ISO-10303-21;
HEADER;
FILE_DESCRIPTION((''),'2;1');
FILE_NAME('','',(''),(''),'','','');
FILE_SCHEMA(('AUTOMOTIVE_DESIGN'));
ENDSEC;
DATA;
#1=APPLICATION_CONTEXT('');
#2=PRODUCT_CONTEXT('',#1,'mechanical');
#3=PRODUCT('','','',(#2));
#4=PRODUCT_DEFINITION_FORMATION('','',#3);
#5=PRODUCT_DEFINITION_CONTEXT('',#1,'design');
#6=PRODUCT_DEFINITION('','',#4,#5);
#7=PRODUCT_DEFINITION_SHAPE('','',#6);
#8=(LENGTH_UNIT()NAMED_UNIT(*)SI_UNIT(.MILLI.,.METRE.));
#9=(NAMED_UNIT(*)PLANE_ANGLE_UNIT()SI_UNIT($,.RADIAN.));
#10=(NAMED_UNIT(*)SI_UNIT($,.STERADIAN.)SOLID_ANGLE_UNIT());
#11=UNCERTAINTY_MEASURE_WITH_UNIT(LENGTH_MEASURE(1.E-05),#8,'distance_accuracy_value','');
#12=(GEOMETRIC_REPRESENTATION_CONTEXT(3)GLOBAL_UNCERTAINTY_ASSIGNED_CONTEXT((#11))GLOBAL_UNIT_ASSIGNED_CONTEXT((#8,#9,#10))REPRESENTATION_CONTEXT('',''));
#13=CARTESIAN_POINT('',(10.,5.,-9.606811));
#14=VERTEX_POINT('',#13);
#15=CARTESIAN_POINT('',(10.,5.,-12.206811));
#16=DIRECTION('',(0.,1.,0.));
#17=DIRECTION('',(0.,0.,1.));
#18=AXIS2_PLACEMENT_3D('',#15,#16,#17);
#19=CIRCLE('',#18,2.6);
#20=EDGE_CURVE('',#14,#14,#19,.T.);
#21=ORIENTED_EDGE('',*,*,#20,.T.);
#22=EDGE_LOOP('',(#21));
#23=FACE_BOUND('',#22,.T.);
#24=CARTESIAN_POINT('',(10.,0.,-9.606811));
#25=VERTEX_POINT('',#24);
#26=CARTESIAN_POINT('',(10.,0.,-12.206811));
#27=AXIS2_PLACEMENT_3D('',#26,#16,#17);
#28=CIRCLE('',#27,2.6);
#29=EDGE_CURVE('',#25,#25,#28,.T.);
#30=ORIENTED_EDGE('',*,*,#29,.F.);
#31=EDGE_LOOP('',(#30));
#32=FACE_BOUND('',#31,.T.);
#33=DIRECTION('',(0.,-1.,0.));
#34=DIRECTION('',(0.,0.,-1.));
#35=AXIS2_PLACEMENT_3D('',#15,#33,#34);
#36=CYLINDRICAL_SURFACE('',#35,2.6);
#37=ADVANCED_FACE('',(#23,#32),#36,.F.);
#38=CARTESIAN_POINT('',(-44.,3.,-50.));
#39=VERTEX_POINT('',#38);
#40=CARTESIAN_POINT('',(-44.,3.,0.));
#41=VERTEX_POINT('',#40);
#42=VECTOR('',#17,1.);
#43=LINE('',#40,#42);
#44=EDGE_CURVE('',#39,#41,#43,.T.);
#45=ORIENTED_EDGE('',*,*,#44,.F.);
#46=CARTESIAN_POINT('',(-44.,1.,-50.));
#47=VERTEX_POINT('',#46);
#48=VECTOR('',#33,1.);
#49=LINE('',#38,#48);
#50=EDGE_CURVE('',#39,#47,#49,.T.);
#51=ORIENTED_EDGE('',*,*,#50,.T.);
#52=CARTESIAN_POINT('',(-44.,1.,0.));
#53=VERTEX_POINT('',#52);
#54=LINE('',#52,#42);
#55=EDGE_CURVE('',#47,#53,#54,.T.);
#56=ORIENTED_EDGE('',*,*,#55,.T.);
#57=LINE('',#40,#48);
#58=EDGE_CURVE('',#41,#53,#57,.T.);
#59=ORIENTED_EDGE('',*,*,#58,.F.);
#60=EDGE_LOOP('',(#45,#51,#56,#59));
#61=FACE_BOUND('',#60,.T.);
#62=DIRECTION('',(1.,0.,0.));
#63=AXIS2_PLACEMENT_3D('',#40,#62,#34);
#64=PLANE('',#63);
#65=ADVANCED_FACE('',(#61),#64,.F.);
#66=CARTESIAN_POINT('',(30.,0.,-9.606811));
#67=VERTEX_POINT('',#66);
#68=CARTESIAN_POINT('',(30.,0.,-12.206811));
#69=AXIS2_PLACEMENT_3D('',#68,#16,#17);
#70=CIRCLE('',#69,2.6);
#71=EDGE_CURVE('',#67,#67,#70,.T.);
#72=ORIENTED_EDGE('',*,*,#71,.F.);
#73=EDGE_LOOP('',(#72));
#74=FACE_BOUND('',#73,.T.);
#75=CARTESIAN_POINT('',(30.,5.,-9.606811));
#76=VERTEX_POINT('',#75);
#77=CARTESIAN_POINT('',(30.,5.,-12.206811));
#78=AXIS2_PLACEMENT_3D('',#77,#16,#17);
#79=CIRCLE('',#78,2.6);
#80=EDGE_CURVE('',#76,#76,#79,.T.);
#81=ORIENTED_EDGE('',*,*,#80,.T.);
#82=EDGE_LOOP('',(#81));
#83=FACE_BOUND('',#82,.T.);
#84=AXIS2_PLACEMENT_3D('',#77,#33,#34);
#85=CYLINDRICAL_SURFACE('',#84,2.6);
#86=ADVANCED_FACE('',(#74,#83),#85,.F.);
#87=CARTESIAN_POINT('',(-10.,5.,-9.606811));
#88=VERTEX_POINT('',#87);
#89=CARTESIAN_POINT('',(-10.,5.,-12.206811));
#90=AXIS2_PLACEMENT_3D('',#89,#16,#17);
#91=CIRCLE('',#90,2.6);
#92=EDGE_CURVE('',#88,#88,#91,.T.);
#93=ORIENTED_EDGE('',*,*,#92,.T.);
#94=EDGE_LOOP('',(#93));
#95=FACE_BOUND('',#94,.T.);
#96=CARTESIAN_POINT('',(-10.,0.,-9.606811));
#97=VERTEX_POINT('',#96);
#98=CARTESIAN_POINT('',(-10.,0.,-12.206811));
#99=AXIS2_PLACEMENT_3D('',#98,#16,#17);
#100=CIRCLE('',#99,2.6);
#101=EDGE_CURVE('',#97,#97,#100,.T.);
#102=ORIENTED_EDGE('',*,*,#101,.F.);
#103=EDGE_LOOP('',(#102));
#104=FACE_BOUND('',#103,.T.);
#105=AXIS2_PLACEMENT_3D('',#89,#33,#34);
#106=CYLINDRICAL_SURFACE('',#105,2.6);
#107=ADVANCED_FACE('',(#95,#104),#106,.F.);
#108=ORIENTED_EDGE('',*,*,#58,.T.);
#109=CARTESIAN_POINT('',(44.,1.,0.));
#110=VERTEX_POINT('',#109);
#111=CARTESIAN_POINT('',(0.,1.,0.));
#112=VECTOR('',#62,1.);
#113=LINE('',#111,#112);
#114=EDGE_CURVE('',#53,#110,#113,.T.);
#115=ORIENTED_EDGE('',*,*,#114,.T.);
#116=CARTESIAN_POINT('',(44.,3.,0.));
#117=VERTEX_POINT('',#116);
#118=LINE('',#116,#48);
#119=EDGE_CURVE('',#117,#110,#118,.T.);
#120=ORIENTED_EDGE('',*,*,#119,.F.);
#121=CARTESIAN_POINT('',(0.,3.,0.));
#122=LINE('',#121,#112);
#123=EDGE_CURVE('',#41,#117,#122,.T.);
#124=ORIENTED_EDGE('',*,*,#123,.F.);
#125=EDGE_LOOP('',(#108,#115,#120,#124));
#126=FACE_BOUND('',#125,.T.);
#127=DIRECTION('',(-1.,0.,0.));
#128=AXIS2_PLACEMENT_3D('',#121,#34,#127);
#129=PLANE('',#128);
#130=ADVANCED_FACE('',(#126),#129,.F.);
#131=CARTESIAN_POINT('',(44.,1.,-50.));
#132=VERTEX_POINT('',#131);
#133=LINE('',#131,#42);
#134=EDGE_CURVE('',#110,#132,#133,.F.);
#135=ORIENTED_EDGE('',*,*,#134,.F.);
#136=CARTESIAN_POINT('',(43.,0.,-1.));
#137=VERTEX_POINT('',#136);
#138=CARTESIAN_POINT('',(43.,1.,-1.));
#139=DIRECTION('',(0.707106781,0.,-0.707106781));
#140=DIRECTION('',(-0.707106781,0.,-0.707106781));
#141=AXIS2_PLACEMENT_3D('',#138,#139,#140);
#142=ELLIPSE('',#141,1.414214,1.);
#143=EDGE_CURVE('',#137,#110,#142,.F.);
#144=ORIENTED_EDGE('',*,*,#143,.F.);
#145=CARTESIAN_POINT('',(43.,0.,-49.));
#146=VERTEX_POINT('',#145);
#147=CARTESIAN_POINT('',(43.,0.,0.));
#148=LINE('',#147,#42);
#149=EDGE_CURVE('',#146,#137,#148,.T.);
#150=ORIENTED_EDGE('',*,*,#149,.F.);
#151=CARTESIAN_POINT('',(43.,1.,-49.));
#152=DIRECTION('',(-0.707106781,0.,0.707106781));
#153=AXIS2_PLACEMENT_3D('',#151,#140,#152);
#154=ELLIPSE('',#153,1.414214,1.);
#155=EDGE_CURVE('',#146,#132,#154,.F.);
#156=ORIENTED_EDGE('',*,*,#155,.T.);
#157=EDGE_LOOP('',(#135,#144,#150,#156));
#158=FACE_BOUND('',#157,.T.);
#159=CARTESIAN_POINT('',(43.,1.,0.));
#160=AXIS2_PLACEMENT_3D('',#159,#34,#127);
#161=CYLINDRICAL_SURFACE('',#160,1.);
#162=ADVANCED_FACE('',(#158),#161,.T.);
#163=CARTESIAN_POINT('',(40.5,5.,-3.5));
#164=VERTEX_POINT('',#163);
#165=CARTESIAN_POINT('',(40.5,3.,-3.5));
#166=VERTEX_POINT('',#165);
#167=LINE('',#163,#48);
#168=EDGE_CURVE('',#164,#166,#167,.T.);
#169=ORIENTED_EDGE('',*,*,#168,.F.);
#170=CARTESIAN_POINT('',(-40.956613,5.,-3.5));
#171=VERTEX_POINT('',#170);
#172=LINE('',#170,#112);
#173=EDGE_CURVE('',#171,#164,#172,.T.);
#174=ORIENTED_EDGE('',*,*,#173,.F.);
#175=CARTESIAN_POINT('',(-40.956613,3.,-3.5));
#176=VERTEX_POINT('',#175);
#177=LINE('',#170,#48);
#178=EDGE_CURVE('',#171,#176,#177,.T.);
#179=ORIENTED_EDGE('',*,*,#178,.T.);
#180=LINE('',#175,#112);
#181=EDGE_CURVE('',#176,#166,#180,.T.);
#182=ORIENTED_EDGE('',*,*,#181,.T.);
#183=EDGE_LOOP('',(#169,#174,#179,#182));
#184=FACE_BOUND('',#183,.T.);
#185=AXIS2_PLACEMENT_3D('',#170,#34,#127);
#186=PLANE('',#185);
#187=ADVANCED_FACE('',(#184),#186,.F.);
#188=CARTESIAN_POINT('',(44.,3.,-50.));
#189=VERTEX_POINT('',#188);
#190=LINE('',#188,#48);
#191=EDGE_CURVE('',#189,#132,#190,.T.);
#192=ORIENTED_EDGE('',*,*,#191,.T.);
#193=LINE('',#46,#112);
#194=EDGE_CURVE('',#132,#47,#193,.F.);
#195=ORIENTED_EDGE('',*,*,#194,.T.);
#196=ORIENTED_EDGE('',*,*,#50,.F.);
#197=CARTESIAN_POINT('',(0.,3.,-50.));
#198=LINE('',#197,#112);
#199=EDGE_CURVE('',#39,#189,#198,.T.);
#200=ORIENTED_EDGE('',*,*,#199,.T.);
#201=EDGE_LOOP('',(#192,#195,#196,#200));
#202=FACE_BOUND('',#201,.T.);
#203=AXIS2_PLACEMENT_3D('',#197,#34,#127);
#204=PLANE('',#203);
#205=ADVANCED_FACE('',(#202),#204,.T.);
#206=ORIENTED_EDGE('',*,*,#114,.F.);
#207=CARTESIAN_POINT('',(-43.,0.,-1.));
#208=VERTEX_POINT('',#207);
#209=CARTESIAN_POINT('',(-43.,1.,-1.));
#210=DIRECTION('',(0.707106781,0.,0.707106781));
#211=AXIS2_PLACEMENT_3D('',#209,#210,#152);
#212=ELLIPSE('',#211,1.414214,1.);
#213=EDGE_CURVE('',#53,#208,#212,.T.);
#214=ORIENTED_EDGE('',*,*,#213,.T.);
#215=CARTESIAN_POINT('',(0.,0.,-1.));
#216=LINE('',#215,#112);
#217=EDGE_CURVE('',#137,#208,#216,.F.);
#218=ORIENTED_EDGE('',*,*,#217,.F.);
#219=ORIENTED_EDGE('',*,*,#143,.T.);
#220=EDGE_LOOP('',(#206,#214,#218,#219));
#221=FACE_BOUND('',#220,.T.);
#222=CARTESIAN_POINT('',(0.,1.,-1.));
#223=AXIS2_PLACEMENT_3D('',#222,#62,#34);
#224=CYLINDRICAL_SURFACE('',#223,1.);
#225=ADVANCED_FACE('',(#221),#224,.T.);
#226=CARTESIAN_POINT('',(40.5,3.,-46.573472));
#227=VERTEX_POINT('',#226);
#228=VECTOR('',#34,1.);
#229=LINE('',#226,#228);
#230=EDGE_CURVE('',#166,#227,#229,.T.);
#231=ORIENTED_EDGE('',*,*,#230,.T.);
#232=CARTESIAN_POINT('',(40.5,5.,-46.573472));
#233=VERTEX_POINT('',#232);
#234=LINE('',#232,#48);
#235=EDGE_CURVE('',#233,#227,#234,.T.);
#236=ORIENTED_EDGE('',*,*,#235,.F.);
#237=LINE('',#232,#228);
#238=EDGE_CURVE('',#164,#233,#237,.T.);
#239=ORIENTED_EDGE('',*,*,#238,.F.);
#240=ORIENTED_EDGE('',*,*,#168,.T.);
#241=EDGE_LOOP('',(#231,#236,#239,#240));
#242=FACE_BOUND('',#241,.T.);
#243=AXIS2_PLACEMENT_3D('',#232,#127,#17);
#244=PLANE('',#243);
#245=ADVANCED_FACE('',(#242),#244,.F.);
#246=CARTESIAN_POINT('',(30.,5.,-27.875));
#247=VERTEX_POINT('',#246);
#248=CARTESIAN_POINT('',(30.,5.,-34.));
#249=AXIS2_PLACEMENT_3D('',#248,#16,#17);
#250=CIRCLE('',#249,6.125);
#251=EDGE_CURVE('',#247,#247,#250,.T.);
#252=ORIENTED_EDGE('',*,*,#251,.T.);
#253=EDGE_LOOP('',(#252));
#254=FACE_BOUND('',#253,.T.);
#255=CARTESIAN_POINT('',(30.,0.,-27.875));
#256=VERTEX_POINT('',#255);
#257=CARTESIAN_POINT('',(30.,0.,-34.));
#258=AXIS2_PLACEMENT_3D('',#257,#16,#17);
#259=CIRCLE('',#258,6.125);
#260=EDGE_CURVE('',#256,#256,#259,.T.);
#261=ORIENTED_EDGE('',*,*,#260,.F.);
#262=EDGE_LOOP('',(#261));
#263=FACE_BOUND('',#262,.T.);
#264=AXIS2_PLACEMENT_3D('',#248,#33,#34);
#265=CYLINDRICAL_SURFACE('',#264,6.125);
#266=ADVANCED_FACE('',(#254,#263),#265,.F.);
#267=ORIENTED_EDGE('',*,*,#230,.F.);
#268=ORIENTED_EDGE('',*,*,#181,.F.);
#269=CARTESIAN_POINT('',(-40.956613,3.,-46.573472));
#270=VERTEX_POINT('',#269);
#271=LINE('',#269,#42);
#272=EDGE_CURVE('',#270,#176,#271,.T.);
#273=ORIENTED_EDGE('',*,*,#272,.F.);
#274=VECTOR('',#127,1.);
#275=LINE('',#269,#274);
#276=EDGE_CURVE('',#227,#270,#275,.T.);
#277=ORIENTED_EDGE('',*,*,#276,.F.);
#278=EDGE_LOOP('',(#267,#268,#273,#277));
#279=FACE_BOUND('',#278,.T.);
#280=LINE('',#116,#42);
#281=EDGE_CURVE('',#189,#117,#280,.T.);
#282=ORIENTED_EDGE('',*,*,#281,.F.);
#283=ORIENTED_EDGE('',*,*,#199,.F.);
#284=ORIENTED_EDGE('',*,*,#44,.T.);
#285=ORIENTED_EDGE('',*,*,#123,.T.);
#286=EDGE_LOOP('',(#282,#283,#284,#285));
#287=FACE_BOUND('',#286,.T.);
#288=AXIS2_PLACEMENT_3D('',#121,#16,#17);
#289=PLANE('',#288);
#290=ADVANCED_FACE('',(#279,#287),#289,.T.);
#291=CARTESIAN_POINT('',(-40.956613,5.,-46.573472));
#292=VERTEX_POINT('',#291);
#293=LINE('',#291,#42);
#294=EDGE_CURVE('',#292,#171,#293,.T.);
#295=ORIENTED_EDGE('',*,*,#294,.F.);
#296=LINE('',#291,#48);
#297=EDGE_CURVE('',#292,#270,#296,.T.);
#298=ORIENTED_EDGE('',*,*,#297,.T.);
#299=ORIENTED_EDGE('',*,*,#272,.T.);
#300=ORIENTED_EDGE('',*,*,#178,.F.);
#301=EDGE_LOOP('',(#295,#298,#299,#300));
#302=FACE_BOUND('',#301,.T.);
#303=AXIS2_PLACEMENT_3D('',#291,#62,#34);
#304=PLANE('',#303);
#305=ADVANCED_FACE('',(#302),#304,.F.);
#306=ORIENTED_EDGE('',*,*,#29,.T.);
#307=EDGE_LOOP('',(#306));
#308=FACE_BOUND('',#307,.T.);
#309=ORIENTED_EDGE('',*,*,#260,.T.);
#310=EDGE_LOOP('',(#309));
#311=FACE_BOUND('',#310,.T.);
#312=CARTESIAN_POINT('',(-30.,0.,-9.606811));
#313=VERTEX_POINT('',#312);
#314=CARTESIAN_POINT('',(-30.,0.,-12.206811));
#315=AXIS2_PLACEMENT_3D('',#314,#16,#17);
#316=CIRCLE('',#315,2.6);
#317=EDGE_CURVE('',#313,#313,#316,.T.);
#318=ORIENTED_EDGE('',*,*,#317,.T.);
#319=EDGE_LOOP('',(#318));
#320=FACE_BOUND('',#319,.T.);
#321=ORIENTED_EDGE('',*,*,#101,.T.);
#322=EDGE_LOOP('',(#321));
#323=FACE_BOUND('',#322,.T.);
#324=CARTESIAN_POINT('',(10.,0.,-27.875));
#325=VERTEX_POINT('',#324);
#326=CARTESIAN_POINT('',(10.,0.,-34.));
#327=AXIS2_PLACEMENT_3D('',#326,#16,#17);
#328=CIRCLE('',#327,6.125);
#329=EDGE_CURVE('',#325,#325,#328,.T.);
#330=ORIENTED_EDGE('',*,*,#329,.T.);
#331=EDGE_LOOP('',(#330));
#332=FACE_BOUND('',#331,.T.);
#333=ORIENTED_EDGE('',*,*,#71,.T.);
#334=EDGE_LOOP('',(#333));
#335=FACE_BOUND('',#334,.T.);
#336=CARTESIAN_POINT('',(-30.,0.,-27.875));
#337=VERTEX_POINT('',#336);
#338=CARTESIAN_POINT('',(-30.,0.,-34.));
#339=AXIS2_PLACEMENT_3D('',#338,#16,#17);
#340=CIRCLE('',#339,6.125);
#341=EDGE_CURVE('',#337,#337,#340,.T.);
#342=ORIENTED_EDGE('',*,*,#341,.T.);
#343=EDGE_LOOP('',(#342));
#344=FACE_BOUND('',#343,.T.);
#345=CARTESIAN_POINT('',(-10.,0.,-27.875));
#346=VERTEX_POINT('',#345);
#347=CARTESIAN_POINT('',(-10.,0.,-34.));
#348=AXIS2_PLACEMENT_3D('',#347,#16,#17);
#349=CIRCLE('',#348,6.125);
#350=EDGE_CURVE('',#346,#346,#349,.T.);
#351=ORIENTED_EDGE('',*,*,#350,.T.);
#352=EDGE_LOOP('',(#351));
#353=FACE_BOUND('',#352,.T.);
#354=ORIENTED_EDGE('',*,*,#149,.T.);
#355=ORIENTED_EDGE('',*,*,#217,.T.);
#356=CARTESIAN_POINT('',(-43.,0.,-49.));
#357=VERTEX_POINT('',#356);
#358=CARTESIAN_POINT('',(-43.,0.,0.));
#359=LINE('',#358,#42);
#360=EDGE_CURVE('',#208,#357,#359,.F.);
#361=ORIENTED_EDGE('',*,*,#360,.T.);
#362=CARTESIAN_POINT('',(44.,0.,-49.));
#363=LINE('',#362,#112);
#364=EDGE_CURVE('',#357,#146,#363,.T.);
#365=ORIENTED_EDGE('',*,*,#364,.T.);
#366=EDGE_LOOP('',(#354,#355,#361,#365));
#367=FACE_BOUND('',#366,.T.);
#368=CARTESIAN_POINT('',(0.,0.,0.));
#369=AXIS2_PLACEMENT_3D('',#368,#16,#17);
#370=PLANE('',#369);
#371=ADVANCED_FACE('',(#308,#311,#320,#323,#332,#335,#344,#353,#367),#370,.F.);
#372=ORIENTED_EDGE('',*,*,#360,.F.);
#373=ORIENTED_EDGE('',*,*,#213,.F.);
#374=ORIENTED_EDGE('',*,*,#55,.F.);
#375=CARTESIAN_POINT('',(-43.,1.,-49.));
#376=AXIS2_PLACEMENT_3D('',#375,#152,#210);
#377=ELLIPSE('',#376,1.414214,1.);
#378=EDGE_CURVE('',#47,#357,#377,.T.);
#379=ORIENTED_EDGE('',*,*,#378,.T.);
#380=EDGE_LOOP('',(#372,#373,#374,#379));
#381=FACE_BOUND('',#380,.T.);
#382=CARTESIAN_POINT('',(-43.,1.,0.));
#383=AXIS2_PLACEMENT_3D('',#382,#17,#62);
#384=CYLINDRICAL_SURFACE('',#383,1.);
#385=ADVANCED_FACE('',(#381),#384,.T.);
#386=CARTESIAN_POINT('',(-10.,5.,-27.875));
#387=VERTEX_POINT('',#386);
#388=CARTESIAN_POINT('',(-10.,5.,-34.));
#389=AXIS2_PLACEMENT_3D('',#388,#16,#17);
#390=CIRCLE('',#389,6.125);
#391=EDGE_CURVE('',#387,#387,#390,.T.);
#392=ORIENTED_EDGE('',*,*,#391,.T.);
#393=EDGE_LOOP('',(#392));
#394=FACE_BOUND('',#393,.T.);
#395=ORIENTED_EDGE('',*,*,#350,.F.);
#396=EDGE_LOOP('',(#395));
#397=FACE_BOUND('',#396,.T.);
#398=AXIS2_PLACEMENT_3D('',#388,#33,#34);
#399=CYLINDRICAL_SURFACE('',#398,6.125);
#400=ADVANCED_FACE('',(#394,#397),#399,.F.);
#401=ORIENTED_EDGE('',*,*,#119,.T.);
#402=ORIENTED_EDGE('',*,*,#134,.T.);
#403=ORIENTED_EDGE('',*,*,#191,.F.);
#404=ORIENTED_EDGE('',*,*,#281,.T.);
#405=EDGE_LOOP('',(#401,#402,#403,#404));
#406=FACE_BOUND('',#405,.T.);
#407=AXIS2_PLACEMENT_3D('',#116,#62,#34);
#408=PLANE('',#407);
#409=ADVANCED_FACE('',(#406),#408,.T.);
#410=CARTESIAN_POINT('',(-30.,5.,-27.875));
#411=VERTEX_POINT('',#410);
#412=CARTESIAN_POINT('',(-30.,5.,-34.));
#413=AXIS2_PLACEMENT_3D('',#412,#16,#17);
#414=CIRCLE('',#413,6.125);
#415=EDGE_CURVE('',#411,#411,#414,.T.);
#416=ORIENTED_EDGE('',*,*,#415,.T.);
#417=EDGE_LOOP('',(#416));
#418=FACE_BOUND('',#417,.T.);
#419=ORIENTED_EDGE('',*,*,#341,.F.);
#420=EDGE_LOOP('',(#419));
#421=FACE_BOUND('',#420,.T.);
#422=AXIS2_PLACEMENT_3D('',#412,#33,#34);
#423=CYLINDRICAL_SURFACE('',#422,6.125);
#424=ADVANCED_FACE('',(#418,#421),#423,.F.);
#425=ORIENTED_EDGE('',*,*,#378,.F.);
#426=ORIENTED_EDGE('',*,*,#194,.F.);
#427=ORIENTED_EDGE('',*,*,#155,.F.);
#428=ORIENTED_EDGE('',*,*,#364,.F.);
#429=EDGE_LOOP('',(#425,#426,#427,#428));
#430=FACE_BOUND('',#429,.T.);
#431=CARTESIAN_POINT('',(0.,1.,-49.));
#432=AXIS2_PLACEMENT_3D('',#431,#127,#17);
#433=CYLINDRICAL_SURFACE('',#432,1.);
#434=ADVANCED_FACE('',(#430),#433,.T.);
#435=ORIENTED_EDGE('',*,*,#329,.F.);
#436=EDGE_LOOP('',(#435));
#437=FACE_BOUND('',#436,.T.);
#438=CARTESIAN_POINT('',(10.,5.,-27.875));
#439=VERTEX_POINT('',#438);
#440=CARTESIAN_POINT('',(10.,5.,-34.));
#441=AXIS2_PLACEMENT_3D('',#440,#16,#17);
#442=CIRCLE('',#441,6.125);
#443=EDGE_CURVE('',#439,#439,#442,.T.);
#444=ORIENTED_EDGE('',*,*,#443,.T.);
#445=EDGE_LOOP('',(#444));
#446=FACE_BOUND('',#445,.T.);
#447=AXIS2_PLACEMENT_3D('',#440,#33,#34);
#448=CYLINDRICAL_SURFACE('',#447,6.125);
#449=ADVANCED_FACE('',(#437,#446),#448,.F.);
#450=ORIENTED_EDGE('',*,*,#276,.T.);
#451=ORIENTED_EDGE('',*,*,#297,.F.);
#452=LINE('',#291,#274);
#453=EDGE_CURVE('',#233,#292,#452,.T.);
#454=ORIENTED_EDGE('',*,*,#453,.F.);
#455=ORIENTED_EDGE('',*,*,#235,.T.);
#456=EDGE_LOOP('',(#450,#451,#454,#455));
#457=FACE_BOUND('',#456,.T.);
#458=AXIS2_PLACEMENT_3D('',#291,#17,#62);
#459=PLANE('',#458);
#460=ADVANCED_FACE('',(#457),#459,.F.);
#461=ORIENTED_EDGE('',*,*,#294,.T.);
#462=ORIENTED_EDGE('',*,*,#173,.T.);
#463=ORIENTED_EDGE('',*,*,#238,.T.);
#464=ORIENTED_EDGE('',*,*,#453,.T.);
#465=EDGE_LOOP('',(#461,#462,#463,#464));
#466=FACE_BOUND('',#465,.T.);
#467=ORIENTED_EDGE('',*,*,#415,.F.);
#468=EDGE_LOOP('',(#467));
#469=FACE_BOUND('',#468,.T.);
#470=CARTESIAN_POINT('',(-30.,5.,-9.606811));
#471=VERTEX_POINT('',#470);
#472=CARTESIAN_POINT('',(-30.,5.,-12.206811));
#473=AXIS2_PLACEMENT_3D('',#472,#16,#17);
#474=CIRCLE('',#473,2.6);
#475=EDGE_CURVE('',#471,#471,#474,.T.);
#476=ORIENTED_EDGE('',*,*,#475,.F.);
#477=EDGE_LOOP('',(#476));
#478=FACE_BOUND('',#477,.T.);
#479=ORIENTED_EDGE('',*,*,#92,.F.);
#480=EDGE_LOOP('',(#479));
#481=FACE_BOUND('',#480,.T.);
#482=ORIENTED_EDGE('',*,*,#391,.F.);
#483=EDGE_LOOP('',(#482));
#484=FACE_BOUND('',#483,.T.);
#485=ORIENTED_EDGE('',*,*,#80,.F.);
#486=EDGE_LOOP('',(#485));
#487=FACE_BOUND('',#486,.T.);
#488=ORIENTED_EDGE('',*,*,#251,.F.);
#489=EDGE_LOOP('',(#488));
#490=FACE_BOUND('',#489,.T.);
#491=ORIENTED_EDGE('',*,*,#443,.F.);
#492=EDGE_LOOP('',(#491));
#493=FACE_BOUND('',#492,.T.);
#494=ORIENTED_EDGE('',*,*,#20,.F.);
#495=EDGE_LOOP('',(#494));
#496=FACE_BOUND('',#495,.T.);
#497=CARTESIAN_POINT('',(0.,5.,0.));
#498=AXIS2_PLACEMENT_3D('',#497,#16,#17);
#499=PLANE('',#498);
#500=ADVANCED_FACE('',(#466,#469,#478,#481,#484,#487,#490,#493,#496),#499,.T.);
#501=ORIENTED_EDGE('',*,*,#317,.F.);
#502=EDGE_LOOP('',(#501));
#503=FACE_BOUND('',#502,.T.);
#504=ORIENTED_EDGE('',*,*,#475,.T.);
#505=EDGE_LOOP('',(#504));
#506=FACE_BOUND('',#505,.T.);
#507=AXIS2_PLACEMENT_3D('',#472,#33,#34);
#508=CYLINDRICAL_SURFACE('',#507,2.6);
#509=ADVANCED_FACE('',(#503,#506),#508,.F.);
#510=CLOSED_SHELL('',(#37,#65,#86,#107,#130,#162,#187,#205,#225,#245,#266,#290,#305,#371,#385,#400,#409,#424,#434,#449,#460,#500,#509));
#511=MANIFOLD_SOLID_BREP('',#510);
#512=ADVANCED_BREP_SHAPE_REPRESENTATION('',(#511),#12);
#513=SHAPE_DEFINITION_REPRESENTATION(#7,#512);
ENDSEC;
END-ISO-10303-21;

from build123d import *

# Parameters (mm, degrees)
SKETCH4_W               = 88
SKETCH4_H               = 50
BOSS_EXTRUDE2_DEPTH     = 3
SKETCH6_W               = 81.456613026
SKETCH6_H               = 43.073471677
BOSS_EXTRUDE3_DEPTH     = 2
CUT_EXTRUDE1_DEPTH      = 67.670833203
CUT_EXTRUDE1_DEPTH_BACK = 67.670833203
SKETCH5_R               = 6.125
SKETCH5_R_2             = 2.6
FILLET1_R               = 1


with BuildPart() as part:
    # Sketch4 → Boss-Extrude2 (new body)
    with BuildSketch(Plane(origin=(0, 0, 0), x_dir=(1, 0, 0), z_dir=(0, 1, 0))):
        with Locations((0, 25)):
            Rectangle(SKETCH4_W, SKETCH4_H)
    extrude(amount=BOSS_EXTRUDE2_DEPTH)

    # Sketch6 → Boss-Extrude3 (add)
    with BuildSketch(Plane(origin=(0, 3, 0), x_dir=(1, 0, 0), z_dir=(0, 1, 0))):
        with Locations((-0.228306513, 25.036735839)):
            Rectangle(SKETCH6_W, SKETCH6_H)
    extrude(amount=BOSS_EXTRUDE3_DEPTH)

    # Sketch5 → Cut-Extrude1 (cut, two sides: drawn at the far end of the back side and taken through both)
    with BuildSketch(Plane(origin=(0, 3, 0), x_dir=(-1, 0, 0), z_dir=(0, 1, 0)).offset(-CUT_EXTRUDE1_DEPTH_BACK)):
        with Locations(Location((-30, -34, 0), (0, 0, 90))):
            Circle(SKETCH5_R)
        with Locations(Location((-10, -34, 0), (0, 0, 90))):
            Circle(SKETCH5_R)
        with Locations(Location((10, -34, 0), (0, 0, 90))):
            Circle(SKETCH5_R)
        with Locations(Location((30, -34, 0), (0, 0, 90))):
            Circle(SKETCH5_R)
        with Locations(Location((-30, -12.206810763, 0), (0, 0, 90))):
            Circle(SKETCH5_R_2)
        with Locations(Location((-10, -12.206810763, 0), (0, 0, 90))):
            Circle(SKETCH5_R_2)
        with Locations(Location((10, -12.206810763, 0), (0, 0, 90))):
            Circle(SKETCH5_R_2)
        with Locations(Location((30, -12.206810763, 0), (0, 0, 90))):
            Circle(SKETCH5_R_2)
    extrude(amount=CUT_EXTRUDE1_DEPTH + CUT_EXTRUDE1_DEPTH_BACK, mode=Mode.SUBTRACT)

    # Fillet1
    fillet1_edges = [part.edges().sort_by_distance(p)[0] for p in [
        (0, 0, 0),
        (-44, 0, -25),
        (0, 0, -50),
        (44, 0, -25),
    ]]
    fillet(fillet1_edges, radius=FILLET1_R)


solid = part.part
